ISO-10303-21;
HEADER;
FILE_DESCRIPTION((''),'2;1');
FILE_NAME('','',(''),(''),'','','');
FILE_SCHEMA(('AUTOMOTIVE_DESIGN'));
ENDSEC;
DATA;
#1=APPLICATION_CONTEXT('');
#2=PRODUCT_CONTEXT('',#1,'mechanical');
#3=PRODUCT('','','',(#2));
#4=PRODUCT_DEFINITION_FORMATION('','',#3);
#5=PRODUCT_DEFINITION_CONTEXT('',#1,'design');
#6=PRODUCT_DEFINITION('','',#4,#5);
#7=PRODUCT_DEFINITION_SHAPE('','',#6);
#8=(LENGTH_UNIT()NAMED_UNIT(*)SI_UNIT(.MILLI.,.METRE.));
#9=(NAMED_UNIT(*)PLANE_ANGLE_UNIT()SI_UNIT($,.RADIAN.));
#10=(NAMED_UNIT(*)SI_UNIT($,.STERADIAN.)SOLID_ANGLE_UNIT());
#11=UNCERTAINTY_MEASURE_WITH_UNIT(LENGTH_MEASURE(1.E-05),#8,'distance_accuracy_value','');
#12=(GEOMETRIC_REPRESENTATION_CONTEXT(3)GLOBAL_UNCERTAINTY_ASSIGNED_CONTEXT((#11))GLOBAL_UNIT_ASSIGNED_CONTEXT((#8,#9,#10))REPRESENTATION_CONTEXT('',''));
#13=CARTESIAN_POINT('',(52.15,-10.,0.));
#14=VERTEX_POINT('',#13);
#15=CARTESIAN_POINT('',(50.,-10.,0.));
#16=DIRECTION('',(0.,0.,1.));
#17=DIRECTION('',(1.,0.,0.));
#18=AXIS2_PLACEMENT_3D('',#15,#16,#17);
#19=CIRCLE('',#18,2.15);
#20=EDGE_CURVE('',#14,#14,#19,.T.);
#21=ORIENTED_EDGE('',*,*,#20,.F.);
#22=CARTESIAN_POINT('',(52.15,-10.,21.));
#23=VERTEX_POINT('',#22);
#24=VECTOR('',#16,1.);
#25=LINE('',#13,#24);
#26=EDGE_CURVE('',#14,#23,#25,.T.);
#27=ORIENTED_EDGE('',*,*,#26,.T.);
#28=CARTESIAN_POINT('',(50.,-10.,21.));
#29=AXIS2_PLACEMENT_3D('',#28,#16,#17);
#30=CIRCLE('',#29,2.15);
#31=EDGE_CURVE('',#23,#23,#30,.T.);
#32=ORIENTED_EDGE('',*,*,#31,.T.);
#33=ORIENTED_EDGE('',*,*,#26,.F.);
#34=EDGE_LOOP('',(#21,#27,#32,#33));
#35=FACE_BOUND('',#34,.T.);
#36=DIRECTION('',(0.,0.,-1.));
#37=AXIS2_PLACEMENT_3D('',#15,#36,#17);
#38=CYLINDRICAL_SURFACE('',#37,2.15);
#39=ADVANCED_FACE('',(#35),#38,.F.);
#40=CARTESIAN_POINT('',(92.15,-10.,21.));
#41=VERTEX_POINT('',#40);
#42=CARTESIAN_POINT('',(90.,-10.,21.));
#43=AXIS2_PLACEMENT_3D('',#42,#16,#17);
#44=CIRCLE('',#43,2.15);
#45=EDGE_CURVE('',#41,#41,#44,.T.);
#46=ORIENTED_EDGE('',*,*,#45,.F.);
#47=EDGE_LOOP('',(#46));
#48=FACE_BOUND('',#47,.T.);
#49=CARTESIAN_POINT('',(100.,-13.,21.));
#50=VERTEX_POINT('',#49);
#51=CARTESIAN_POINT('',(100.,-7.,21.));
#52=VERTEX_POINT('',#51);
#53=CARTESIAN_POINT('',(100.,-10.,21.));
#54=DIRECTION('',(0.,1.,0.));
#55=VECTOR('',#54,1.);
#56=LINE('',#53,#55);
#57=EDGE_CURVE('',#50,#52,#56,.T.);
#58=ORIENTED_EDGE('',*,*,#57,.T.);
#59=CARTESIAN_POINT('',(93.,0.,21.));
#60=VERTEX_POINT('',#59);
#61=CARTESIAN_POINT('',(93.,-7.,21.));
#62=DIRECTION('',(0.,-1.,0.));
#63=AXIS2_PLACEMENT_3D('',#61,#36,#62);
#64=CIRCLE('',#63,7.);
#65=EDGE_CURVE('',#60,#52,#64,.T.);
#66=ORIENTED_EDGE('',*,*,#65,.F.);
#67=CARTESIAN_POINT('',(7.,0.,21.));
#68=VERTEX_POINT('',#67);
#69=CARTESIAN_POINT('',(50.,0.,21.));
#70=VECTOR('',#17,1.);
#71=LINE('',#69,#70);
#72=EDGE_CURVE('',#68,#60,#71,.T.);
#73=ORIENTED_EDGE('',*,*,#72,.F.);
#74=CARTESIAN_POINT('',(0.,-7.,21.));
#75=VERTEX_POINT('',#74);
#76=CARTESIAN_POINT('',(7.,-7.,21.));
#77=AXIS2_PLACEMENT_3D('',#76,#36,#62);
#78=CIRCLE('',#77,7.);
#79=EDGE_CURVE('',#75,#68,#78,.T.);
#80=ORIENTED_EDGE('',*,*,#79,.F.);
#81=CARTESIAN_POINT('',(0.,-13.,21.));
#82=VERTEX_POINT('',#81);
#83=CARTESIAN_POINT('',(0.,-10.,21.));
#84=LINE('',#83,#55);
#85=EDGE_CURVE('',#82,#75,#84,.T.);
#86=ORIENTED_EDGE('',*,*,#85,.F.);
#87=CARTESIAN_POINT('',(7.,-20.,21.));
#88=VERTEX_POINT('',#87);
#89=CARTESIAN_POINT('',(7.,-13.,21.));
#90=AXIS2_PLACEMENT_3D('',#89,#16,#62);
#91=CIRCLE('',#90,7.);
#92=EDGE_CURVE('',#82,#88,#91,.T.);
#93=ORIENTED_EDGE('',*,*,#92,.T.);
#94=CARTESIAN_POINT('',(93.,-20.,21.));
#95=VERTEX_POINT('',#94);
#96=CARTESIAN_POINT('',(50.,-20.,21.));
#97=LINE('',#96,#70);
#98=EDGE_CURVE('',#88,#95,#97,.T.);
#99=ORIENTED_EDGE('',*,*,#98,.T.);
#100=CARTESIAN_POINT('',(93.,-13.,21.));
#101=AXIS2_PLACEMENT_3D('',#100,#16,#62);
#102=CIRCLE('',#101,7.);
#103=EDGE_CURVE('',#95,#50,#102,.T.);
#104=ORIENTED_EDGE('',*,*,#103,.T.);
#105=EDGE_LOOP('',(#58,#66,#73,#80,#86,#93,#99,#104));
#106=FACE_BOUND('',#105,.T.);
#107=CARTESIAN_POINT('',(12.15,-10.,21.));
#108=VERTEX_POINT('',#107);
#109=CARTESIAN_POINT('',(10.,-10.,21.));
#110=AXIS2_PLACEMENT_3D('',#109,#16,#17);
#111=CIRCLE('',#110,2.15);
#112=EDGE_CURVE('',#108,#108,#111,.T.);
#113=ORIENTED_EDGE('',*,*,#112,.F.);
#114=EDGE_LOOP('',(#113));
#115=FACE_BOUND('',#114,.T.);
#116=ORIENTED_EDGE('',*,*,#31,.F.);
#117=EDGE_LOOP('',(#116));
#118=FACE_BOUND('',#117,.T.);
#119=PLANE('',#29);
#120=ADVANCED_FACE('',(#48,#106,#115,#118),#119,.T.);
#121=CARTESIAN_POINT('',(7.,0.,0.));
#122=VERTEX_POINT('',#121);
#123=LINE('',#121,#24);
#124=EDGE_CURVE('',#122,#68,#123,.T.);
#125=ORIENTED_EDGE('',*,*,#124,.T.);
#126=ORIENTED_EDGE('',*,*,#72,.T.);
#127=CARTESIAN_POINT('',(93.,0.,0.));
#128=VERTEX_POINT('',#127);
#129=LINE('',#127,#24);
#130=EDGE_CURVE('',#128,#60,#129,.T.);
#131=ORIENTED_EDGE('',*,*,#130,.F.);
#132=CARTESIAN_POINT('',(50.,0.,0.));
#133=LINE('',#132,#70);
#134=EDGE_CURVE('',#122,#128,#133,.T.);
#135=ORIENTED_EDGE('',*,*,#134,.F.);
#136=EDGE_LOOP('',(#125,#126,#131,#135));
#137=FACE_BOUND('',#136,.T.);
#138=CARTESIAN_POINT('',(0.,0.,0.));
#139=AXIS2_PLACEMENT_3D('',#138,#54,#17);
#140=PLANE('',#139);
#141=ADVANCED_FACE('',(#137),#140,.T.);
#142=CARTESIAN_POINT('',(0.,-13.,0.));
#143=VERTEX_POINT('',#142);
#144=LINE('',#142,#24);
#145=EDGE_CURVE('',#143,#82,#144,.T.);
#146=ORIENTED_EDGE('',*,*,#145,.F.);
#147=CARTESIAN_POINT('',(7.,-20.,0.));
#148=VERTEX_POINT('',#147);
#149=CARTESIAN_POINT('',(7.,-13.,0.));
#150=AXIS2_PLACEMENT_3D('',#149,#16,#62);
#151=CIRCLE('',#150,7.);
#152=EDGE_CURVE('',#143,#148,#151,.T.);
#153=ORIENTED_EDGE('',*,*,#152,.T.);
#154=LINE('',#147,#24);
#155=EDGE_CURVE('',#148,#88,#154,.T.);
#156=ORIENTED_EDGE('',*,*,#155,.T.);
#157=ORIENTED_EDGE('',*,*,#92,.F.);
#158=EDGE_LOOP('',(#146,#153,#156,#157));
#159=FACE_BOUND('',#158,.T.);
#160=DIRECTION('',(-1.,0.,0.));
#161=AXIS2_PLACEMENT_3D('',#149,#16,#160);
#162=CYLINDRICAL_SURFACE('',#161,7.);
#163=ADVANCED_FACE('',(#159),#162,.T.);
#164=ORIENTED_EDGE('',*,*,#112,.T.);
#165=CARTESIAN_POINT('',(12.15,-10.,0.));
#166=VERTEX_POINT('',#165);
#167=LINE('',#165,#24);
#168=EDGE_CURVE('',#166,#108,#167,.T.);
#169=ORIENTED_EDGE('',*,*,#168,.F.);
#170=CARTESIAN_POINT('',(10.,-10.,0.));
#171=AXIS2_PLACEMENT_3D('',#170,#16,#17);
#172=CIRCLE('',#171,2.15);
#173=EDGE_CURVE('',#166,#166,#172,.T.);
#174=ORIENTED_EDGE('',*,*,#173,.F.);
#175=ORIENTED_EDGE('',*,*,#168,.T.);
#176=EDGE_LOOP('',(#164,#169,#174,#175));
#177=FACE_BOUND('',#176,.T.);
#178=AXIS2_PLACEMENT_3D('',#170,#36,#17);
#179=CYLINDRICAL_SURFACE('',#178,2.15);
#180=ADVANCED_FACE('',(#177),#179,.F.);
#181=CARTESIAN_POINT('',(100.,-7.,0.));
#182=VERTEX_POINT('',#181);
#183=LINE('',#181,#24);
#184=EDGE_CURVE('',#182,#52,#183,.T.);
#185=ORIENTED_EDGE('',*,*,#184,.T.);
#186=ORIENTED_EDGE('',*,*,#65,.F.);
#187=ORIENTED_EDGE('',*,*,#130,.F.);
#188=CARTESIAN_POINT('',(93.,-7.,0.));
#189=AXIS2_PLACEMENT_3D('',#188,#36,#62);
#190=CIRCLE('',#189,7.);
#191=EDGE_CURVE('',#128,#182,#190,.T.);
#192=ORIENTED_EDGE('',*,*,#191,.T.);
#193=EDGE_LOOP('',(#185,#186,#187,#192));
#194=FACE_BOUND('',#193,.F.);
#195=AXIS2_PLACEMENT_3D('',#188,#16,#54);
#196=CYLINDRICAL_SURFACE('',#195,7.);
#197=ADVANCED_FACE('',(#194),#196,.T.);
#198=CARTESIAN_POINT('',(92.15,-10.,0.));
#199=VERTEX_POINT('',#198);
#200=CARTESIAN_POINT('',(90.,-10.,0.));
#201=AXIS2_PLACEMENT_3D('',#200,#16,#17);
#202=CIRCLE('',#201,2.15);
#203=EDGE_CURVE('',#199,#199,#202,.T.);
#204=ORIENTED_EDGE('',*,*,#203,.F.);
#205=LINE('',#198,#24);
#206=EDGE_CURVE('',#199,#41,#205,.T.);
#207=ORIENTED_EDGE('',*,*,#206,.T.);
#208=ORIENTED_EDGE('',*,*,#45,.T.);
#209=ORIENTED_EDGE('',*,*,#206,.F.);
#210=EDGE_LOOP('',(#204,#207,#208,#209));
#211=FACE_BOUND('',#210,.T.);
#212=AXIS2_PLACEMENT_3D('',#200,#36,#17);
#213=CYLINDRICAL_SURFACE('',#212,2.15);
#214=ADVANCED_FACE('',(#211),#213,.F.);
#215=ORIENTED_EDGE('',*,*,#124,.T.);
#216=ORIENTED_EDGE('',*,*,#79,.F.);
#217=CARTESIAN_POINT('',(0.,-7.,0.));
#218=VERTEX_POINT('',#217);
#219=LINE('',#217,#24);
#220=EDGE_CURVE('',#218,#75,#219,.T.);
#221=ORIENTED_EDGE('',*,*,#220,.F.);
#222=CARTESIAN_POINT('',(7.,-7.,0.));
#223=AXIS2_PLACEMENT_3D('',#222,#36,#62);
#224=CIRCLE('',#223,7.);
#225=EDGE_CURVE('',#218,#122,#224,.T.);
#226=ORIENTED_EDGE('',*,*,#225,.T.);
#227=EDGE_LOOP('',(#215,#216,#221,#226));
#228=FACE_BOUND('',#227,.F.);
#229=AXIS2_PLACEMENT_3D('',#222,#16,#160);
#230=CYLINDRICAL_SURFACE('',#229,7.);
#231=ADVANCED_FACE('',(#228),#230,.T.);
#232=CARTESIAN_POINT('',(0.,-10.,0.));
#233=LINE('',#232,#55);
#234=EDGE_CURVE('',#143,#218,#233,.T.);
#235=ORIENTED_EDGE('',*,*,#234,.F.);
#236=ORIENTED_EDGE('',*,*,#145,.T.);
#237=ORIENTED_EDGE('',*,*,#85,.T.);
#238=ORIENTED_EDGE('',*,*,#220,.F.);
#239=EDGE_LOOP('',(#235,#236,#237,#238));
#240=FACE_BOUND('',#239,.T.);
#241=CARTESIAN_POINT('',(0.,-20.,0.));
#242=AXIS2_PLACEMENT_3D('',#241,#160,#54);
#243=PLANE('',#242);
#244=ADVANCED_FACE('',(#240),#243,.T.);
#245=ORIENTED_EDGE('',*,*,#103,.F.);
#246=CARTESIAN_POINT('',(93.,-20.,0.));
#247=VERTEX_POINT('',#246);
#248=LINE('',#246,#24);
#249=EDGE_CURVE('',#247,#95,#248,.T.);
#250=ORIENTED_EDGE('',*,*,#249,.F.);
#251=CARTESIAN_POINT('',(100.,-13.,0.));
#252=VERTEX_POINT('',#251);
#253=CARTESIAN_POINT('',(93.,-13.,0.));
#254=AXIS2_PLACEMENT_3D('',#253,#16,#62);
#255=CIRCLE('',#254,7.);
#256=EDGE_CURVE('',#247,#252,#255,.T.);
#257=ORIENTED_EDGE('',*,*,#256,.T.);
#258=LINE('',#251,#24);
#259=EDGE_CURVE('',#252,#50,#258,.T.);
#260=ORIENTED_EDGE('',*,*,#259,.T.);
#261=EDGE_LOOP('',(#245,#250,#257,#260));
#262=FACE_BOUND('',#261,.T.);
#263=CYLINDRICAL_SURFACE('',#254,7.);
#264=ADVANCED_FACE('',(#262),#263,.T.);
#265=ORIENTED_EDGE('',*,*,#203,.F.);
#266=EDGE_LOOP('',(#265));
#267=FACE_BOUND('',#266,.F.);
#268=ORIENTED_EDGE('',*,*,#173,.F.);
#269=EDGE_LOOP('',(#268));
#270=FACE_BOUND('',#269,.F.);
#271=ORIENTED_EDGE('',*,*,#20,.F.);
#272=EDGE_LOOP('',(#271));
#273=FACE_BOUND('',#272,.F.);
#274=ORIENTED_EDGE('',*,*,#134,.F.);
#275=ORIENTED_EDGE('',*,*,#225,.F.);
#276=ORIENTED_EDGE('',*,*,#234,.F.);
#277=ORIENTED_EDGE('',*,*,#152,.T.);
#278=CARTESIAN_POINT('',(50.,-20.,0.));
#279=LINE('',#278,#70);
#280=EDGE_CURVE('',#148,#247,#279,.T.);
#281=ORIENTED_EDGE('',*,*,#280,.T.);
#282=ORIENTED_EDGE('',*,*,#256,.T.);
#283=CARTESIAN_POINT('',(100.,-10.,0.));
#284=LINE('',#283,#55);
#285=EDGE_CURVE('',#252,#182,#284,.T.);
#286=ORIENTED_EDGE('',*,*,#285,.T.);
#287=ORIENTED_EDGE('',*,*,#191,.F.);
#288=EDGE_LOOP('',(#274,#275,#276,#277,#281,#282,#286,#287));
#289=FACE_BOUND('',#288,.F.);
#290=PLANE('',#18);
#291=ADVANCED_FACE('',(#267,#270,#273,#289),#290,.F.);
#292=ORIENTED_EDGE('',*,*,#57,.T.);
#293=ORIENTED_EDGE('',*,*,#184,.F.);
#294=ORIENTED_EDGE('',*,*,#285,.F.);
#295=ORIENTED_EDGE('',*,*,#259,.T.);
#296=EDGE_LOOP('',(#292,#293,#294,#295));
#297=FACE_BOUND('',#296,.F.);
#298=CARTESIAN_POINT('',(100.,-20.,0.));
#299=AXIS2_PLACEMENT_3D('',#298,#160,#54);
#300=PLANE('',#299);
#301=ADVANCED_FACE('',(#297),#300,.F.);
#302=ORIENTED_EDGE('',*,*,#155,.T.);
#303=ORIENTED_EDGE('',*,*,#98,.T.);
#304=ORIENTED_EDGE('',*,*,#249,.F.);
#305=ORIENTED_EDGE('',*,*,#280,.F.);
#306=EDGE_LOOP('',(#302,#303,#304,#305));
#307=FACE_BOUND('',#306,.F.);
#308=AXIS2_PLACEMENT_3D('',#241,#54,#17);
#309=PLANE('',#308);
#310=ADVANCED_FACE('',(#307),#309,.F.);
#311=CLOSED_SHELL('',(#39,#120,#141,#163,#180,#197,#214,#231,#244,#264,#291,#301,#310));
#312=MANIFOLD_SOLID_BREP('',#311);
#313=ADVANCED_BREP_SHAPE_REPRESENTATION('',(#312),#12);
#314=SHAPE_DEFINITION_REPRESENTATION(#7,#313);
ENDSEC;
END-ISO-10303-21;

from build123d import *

# Parameters (mm, degrees)
SKETCH1_W           = 100
SKETCH1_H           = 20
SKETCH1_R           = 2.15
BOSS_EXTRUDE1_DEPTH = 21
FILLET1_R           = 7


with BuildPart() as part:
    # Sketch1 → Boss-Extrude1 (new body)
    with BuildSketch(Plane.XY):
        with Locations((50, -10)):
            Rectangle(SKETCH1_W, SKETCH1_H)
        with Locations((10, -10)):
            Circle(SKETCH1_R, mode=Mode.SUBTRACT)
        with Locations((90, -10)):
            Circle(SKETCH1_R, mode=Mode.SUBTRACT)
        with Locations((50, -10)):
            Circle(SKETCH1_R, mode=Mode.SUBTRACT)
    extrude(amount=BOSS_EXTRUDE1_DEPTH)

    # Fillet1
    fillet1_edges = [part.edges().sort_by_distance(p)[0] for p in [
        (0, 0, 10.5),
        (100, 0, 10.5),
        (100, -20, 10.5),
        (0, -20, 10.5),
    ]]
    fillet(fillet1_edges, radius=FILLET1_R)


solid = part.part
